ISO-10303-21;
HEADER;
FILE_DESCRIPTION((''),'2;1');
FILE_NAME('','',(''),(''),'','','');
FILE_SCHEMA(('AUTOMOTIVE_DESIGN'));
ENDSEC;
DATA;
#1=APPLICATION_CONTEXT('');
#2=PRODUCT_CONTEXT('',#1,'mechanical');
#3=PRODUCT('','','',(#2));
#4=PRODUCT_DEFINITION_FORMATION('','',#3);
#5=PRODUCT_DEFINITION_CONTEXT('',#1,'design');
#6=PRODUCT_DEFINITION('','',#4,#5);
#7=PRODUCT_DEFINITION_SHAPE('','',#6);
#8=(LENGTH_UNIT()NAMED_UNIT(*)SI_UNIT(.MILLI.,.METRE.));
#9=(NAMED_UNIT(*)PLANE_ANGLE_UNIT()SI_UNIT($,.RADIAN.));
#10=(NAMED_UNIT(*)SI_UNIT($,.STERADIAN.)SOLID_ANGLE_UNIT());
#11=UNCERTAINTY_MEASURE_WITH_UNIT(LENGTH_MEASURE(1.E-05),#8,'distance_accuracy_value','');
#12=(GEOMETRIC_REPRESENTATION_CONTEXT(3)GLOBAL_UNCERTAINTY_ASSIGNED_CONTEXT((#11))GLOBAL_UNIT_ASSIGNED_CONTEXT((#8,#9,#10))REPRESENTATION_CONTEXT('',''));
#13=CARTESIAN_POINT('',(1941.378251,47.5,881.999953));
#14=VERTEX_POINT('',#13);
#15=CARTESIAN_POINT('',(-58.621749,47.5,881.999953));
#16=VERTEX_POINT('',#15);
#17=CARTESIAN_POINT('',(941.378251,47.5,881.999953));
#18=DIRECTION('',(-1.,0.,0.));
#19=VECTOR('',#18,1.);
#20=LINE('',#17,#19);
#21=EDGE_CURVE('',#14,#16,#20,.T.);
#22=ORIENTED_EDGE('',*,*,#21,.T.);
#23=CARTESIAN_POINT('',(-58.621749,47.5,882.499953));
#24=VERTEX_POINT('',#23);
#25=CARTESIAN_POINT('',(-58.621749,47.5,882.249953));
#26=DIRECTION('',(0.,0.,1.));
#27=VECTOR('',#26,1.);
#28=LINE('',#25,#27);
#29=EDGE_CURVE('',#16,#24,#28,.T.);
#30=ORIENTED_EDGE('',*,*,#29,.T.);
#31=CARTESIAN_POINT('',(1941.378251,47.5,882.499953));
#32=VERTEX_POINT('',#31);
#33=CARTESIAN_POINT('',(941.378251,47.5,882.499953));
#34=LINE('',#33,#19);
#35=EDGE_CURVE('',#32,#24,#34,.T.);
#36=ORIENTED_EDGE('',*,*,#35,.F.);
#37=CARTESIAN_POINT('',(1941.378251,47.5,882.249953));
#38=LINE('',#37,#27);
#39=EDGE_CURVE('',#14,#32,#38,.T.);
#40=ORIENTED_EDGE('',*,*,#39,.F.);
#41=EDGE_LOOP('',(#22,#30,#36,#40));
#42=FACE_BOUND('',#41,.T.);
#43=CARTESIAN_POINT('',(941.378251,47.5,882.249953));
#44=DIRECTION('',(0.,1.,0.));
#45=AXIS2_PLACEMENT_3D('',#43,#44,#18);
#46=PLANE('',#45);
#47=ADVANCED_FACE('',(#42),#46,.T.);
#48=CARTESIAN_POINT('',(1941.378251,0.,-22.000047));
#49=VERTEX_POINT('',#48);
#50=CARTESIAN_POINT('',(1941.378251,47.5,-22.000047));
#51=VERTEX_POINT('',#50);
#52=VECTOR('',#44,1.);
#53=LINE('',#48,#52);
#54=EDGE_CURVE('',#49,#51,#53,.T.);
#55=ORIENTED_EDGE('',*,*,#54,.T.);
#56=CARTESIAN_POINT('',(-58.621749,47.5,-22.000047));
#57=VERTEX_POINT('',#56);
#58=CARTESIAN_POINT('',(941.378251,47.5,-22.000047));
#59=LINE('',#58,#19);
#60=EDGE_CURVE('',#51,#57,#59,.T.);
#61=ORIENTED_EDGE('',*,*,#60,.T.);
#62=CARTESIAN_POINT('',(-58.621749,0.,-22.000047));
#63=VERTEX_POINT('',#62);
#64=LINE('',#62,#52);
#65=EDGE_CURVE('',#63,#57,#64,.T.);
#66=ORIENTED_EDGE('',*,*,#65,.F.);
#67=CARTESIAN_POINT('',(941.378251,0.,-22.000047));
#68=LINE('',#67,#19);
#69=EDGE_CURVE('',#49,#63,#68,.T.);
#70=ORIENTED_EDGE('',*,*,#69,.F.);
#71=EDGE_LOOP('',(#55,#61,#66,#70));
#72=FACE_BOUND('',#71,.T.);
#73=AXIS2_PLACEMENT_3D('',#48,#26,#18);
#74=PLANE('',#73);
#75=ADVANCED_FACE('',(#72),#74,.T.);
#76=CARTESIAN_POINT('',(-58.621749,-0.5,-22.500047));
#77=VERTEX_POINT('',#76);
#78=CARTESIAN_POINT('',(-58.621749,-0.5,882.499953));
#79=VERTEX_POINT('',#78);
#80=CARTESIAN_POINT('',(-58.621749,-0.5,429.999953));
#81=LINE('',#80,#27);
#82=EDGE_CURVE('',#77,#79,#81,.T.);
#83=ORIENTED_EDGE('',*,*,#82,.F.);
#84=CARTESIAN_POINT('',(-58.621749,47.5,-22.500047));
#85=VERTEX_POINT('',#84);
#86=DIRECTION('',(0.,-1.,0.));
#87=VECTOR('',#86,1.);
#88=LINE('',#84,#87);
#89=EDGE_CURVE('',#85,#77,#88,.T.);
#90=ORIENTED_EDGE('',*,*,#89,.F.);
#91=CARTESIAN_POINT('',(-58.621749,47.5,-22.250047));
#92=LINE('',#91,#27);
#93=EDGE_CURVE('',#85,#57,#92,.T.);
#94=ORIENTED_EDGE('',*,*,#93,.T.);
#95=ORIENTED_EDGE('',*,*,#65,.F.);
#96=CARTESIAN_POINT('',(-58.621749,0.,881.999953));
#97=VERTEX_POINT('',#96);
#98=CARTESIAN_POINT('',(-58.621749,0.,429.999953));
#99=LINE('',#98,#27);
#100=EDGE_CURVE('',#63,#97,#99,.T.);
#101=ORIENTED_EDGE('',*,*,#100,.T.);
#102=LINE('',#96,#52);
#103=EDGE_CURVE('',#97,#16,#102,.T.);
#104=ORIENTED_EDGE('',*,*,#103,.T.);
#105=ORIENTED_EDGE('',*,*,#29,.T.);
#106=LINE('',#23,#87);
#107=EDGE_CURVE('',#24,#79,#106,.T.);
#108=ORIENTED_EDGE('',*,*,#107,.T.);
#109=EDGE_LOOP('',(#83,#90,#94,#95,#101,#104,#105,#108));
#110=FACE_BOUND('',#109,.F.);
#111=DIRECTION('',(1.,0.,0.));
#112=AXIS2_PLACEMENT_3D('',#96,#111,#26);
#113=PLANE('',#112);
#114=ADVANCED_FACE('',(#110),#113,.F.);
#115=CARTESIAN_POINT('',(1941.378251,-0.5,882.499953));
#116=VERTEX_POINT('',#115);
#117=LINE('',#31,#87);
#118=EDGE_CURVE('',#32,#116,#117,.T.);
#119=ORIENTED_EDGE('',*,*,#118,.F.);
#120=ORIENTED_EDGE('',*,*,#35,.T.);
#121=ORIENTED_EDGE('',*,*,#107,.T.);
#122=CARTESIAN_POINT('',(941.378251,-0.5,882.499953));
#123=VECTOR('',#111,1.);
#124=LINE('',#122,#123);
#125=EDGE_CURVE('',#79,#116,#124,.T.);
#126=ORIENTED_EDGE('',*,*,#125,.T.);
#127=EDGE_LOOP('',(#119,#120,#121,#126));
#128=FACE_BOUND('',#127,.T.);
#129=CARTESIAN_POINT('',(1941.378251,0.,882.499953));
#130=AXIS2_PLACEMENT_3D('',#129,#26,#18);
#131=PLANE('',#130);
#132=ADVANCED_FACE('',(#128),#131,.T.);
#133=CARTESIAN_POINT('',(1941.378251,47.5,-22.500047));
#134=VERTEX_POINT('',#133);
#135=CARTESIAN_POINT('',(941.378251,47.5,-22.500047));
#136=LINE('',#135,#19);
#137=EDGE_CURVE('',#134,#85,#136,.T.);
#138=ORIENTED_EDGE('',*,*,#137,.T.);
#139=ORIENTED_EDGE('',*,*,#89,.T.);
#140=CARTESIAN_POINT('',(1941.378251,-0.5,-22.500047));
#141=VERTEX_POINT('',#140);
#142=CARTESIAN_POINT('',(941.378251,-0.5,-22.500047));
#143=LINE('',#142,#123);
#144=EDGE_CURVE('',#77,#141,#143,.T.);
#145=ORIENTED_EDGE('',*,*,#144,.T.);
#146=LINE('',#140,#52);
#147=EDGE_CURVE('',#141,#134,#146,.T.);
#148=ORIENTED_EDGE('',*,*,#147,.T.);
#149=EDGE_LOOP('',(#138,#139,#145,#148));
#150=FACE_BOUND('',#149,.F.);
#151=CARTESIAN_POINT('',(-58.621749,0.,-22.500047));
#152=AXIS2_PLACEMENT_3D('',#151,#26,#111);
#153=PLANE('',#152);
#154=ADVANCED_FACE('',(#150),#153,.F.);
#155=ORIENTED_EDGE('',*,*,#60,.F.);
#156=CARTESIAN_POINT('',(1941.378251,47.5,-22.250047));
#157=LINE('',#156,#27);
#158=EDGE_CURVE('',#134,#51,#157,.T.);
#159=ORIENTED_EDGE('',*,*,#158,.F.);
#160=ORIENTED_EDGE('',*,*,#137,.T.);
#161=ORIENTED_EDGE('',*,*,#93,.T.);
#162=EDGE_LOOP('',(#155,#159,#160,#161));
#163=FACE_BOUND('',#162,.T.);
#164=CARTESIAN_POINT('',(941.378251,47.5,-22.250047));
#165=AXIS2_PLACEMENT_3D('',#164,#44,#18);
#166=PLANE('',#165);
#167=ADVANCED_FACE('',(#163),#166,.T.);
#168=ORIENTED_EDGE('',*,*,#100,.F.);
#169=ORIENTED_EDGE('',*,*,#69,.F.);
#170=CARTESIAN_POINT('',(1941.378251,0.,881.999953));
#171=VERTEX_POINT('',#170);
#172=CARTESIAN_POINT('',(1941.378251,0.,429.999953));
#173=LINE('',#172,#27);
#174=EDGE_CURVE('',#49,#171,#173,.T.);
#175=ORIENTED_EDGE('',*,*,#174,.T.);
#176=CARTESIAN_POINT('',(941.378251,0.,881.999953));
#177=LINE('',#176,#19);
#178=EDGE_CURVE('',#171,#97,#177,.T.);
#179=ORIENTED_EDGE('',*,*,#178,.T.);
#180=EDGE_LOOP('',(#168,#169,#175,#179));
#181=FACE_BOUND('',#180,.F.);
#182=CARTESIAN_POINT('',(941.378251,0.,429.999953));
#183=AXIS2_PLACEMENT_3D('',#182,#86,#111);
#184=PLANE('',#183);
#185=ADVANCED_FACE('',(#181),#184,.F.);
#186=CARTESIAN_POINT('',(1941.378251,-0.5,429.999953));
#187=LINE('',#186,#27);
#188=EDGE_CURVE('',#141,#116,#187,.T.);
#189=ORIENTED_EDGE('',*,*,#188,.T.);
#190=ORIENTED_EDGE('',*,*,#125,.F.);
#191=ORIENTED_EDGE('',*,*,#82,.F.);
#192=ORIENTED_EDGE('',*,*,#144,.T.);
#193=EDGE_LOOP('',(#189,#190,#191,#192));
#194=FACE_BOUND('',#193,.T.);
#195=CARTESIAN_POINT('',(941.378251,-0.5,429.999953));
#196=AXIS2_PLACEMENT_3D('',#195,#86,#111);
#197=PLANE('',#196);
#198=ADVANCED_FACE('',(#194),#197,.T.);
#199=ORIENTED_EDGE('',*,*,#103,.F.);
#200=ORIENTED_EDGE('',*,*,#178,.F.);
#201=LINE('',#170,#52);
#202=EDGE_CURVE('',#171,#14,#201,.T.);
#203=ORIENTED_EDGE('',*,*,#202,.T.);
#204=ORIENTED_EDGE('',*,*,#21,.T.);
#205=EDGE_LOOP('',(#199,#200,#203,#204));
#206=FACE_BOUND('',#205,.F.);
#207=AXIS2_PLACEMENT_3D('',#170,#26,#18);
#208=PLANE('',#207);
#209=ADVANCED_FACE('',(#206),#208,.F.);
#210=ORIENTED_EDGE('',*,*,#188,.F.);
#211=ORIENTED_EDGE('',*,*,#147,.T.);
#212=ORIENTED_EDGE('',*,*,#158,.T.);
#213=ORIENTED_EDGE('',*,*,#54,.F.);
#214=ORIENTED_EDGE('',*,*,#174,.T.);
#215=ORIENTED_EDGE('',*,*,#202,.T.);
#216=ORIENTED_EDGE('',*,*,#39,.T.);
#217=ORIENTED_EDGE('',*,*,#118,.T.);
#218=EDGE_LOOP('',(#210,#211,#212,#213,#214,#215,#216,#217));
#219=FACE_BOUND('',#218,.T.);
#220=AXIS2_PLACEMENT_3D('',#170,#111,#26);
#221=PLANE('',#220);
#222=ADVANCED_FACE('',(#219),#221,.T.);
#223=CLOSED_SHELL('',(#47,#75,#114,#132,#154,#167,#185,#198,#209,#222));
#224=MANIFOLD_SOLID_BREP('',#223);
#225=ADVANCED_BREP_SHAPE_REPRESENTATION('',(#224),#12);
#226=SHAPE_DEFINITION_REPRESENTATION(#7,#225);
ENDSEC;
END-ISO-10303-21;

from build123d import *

# Parameters (mm, degrees)
F0_W     = 2000
F0_H     = 905
F1_DEPTH = 0.5
F2_W     = 2000
F2_H     = 0.5
F3_DEPTH = 47.5


with BuildPart() as f1:
    # F0 (on Front) → F1 (new body)
    with BuildSketch(Plane.XZ):
        with Locations((941.378251, 429.999953)):
            Rectangle(F0_W, F0_H)
    extrude(amount=F1_DEPTH)

    # F2 (on face) → F3 (join)
    with BuildSketch(Plane(origin=(0, 0, 0), x_dir=(-1, 0, 0), z_dir=(0, 1, 0))):
        with Locations((-941.378251, 882.249953)):
            Rectangle(F2_W, F2_H)
        with Locations((-941.378251, -22.250047)):
            Rectangle(F2_W, F2_H)
    extrude(amount=F3_DEPTH)


solid = f1.part
